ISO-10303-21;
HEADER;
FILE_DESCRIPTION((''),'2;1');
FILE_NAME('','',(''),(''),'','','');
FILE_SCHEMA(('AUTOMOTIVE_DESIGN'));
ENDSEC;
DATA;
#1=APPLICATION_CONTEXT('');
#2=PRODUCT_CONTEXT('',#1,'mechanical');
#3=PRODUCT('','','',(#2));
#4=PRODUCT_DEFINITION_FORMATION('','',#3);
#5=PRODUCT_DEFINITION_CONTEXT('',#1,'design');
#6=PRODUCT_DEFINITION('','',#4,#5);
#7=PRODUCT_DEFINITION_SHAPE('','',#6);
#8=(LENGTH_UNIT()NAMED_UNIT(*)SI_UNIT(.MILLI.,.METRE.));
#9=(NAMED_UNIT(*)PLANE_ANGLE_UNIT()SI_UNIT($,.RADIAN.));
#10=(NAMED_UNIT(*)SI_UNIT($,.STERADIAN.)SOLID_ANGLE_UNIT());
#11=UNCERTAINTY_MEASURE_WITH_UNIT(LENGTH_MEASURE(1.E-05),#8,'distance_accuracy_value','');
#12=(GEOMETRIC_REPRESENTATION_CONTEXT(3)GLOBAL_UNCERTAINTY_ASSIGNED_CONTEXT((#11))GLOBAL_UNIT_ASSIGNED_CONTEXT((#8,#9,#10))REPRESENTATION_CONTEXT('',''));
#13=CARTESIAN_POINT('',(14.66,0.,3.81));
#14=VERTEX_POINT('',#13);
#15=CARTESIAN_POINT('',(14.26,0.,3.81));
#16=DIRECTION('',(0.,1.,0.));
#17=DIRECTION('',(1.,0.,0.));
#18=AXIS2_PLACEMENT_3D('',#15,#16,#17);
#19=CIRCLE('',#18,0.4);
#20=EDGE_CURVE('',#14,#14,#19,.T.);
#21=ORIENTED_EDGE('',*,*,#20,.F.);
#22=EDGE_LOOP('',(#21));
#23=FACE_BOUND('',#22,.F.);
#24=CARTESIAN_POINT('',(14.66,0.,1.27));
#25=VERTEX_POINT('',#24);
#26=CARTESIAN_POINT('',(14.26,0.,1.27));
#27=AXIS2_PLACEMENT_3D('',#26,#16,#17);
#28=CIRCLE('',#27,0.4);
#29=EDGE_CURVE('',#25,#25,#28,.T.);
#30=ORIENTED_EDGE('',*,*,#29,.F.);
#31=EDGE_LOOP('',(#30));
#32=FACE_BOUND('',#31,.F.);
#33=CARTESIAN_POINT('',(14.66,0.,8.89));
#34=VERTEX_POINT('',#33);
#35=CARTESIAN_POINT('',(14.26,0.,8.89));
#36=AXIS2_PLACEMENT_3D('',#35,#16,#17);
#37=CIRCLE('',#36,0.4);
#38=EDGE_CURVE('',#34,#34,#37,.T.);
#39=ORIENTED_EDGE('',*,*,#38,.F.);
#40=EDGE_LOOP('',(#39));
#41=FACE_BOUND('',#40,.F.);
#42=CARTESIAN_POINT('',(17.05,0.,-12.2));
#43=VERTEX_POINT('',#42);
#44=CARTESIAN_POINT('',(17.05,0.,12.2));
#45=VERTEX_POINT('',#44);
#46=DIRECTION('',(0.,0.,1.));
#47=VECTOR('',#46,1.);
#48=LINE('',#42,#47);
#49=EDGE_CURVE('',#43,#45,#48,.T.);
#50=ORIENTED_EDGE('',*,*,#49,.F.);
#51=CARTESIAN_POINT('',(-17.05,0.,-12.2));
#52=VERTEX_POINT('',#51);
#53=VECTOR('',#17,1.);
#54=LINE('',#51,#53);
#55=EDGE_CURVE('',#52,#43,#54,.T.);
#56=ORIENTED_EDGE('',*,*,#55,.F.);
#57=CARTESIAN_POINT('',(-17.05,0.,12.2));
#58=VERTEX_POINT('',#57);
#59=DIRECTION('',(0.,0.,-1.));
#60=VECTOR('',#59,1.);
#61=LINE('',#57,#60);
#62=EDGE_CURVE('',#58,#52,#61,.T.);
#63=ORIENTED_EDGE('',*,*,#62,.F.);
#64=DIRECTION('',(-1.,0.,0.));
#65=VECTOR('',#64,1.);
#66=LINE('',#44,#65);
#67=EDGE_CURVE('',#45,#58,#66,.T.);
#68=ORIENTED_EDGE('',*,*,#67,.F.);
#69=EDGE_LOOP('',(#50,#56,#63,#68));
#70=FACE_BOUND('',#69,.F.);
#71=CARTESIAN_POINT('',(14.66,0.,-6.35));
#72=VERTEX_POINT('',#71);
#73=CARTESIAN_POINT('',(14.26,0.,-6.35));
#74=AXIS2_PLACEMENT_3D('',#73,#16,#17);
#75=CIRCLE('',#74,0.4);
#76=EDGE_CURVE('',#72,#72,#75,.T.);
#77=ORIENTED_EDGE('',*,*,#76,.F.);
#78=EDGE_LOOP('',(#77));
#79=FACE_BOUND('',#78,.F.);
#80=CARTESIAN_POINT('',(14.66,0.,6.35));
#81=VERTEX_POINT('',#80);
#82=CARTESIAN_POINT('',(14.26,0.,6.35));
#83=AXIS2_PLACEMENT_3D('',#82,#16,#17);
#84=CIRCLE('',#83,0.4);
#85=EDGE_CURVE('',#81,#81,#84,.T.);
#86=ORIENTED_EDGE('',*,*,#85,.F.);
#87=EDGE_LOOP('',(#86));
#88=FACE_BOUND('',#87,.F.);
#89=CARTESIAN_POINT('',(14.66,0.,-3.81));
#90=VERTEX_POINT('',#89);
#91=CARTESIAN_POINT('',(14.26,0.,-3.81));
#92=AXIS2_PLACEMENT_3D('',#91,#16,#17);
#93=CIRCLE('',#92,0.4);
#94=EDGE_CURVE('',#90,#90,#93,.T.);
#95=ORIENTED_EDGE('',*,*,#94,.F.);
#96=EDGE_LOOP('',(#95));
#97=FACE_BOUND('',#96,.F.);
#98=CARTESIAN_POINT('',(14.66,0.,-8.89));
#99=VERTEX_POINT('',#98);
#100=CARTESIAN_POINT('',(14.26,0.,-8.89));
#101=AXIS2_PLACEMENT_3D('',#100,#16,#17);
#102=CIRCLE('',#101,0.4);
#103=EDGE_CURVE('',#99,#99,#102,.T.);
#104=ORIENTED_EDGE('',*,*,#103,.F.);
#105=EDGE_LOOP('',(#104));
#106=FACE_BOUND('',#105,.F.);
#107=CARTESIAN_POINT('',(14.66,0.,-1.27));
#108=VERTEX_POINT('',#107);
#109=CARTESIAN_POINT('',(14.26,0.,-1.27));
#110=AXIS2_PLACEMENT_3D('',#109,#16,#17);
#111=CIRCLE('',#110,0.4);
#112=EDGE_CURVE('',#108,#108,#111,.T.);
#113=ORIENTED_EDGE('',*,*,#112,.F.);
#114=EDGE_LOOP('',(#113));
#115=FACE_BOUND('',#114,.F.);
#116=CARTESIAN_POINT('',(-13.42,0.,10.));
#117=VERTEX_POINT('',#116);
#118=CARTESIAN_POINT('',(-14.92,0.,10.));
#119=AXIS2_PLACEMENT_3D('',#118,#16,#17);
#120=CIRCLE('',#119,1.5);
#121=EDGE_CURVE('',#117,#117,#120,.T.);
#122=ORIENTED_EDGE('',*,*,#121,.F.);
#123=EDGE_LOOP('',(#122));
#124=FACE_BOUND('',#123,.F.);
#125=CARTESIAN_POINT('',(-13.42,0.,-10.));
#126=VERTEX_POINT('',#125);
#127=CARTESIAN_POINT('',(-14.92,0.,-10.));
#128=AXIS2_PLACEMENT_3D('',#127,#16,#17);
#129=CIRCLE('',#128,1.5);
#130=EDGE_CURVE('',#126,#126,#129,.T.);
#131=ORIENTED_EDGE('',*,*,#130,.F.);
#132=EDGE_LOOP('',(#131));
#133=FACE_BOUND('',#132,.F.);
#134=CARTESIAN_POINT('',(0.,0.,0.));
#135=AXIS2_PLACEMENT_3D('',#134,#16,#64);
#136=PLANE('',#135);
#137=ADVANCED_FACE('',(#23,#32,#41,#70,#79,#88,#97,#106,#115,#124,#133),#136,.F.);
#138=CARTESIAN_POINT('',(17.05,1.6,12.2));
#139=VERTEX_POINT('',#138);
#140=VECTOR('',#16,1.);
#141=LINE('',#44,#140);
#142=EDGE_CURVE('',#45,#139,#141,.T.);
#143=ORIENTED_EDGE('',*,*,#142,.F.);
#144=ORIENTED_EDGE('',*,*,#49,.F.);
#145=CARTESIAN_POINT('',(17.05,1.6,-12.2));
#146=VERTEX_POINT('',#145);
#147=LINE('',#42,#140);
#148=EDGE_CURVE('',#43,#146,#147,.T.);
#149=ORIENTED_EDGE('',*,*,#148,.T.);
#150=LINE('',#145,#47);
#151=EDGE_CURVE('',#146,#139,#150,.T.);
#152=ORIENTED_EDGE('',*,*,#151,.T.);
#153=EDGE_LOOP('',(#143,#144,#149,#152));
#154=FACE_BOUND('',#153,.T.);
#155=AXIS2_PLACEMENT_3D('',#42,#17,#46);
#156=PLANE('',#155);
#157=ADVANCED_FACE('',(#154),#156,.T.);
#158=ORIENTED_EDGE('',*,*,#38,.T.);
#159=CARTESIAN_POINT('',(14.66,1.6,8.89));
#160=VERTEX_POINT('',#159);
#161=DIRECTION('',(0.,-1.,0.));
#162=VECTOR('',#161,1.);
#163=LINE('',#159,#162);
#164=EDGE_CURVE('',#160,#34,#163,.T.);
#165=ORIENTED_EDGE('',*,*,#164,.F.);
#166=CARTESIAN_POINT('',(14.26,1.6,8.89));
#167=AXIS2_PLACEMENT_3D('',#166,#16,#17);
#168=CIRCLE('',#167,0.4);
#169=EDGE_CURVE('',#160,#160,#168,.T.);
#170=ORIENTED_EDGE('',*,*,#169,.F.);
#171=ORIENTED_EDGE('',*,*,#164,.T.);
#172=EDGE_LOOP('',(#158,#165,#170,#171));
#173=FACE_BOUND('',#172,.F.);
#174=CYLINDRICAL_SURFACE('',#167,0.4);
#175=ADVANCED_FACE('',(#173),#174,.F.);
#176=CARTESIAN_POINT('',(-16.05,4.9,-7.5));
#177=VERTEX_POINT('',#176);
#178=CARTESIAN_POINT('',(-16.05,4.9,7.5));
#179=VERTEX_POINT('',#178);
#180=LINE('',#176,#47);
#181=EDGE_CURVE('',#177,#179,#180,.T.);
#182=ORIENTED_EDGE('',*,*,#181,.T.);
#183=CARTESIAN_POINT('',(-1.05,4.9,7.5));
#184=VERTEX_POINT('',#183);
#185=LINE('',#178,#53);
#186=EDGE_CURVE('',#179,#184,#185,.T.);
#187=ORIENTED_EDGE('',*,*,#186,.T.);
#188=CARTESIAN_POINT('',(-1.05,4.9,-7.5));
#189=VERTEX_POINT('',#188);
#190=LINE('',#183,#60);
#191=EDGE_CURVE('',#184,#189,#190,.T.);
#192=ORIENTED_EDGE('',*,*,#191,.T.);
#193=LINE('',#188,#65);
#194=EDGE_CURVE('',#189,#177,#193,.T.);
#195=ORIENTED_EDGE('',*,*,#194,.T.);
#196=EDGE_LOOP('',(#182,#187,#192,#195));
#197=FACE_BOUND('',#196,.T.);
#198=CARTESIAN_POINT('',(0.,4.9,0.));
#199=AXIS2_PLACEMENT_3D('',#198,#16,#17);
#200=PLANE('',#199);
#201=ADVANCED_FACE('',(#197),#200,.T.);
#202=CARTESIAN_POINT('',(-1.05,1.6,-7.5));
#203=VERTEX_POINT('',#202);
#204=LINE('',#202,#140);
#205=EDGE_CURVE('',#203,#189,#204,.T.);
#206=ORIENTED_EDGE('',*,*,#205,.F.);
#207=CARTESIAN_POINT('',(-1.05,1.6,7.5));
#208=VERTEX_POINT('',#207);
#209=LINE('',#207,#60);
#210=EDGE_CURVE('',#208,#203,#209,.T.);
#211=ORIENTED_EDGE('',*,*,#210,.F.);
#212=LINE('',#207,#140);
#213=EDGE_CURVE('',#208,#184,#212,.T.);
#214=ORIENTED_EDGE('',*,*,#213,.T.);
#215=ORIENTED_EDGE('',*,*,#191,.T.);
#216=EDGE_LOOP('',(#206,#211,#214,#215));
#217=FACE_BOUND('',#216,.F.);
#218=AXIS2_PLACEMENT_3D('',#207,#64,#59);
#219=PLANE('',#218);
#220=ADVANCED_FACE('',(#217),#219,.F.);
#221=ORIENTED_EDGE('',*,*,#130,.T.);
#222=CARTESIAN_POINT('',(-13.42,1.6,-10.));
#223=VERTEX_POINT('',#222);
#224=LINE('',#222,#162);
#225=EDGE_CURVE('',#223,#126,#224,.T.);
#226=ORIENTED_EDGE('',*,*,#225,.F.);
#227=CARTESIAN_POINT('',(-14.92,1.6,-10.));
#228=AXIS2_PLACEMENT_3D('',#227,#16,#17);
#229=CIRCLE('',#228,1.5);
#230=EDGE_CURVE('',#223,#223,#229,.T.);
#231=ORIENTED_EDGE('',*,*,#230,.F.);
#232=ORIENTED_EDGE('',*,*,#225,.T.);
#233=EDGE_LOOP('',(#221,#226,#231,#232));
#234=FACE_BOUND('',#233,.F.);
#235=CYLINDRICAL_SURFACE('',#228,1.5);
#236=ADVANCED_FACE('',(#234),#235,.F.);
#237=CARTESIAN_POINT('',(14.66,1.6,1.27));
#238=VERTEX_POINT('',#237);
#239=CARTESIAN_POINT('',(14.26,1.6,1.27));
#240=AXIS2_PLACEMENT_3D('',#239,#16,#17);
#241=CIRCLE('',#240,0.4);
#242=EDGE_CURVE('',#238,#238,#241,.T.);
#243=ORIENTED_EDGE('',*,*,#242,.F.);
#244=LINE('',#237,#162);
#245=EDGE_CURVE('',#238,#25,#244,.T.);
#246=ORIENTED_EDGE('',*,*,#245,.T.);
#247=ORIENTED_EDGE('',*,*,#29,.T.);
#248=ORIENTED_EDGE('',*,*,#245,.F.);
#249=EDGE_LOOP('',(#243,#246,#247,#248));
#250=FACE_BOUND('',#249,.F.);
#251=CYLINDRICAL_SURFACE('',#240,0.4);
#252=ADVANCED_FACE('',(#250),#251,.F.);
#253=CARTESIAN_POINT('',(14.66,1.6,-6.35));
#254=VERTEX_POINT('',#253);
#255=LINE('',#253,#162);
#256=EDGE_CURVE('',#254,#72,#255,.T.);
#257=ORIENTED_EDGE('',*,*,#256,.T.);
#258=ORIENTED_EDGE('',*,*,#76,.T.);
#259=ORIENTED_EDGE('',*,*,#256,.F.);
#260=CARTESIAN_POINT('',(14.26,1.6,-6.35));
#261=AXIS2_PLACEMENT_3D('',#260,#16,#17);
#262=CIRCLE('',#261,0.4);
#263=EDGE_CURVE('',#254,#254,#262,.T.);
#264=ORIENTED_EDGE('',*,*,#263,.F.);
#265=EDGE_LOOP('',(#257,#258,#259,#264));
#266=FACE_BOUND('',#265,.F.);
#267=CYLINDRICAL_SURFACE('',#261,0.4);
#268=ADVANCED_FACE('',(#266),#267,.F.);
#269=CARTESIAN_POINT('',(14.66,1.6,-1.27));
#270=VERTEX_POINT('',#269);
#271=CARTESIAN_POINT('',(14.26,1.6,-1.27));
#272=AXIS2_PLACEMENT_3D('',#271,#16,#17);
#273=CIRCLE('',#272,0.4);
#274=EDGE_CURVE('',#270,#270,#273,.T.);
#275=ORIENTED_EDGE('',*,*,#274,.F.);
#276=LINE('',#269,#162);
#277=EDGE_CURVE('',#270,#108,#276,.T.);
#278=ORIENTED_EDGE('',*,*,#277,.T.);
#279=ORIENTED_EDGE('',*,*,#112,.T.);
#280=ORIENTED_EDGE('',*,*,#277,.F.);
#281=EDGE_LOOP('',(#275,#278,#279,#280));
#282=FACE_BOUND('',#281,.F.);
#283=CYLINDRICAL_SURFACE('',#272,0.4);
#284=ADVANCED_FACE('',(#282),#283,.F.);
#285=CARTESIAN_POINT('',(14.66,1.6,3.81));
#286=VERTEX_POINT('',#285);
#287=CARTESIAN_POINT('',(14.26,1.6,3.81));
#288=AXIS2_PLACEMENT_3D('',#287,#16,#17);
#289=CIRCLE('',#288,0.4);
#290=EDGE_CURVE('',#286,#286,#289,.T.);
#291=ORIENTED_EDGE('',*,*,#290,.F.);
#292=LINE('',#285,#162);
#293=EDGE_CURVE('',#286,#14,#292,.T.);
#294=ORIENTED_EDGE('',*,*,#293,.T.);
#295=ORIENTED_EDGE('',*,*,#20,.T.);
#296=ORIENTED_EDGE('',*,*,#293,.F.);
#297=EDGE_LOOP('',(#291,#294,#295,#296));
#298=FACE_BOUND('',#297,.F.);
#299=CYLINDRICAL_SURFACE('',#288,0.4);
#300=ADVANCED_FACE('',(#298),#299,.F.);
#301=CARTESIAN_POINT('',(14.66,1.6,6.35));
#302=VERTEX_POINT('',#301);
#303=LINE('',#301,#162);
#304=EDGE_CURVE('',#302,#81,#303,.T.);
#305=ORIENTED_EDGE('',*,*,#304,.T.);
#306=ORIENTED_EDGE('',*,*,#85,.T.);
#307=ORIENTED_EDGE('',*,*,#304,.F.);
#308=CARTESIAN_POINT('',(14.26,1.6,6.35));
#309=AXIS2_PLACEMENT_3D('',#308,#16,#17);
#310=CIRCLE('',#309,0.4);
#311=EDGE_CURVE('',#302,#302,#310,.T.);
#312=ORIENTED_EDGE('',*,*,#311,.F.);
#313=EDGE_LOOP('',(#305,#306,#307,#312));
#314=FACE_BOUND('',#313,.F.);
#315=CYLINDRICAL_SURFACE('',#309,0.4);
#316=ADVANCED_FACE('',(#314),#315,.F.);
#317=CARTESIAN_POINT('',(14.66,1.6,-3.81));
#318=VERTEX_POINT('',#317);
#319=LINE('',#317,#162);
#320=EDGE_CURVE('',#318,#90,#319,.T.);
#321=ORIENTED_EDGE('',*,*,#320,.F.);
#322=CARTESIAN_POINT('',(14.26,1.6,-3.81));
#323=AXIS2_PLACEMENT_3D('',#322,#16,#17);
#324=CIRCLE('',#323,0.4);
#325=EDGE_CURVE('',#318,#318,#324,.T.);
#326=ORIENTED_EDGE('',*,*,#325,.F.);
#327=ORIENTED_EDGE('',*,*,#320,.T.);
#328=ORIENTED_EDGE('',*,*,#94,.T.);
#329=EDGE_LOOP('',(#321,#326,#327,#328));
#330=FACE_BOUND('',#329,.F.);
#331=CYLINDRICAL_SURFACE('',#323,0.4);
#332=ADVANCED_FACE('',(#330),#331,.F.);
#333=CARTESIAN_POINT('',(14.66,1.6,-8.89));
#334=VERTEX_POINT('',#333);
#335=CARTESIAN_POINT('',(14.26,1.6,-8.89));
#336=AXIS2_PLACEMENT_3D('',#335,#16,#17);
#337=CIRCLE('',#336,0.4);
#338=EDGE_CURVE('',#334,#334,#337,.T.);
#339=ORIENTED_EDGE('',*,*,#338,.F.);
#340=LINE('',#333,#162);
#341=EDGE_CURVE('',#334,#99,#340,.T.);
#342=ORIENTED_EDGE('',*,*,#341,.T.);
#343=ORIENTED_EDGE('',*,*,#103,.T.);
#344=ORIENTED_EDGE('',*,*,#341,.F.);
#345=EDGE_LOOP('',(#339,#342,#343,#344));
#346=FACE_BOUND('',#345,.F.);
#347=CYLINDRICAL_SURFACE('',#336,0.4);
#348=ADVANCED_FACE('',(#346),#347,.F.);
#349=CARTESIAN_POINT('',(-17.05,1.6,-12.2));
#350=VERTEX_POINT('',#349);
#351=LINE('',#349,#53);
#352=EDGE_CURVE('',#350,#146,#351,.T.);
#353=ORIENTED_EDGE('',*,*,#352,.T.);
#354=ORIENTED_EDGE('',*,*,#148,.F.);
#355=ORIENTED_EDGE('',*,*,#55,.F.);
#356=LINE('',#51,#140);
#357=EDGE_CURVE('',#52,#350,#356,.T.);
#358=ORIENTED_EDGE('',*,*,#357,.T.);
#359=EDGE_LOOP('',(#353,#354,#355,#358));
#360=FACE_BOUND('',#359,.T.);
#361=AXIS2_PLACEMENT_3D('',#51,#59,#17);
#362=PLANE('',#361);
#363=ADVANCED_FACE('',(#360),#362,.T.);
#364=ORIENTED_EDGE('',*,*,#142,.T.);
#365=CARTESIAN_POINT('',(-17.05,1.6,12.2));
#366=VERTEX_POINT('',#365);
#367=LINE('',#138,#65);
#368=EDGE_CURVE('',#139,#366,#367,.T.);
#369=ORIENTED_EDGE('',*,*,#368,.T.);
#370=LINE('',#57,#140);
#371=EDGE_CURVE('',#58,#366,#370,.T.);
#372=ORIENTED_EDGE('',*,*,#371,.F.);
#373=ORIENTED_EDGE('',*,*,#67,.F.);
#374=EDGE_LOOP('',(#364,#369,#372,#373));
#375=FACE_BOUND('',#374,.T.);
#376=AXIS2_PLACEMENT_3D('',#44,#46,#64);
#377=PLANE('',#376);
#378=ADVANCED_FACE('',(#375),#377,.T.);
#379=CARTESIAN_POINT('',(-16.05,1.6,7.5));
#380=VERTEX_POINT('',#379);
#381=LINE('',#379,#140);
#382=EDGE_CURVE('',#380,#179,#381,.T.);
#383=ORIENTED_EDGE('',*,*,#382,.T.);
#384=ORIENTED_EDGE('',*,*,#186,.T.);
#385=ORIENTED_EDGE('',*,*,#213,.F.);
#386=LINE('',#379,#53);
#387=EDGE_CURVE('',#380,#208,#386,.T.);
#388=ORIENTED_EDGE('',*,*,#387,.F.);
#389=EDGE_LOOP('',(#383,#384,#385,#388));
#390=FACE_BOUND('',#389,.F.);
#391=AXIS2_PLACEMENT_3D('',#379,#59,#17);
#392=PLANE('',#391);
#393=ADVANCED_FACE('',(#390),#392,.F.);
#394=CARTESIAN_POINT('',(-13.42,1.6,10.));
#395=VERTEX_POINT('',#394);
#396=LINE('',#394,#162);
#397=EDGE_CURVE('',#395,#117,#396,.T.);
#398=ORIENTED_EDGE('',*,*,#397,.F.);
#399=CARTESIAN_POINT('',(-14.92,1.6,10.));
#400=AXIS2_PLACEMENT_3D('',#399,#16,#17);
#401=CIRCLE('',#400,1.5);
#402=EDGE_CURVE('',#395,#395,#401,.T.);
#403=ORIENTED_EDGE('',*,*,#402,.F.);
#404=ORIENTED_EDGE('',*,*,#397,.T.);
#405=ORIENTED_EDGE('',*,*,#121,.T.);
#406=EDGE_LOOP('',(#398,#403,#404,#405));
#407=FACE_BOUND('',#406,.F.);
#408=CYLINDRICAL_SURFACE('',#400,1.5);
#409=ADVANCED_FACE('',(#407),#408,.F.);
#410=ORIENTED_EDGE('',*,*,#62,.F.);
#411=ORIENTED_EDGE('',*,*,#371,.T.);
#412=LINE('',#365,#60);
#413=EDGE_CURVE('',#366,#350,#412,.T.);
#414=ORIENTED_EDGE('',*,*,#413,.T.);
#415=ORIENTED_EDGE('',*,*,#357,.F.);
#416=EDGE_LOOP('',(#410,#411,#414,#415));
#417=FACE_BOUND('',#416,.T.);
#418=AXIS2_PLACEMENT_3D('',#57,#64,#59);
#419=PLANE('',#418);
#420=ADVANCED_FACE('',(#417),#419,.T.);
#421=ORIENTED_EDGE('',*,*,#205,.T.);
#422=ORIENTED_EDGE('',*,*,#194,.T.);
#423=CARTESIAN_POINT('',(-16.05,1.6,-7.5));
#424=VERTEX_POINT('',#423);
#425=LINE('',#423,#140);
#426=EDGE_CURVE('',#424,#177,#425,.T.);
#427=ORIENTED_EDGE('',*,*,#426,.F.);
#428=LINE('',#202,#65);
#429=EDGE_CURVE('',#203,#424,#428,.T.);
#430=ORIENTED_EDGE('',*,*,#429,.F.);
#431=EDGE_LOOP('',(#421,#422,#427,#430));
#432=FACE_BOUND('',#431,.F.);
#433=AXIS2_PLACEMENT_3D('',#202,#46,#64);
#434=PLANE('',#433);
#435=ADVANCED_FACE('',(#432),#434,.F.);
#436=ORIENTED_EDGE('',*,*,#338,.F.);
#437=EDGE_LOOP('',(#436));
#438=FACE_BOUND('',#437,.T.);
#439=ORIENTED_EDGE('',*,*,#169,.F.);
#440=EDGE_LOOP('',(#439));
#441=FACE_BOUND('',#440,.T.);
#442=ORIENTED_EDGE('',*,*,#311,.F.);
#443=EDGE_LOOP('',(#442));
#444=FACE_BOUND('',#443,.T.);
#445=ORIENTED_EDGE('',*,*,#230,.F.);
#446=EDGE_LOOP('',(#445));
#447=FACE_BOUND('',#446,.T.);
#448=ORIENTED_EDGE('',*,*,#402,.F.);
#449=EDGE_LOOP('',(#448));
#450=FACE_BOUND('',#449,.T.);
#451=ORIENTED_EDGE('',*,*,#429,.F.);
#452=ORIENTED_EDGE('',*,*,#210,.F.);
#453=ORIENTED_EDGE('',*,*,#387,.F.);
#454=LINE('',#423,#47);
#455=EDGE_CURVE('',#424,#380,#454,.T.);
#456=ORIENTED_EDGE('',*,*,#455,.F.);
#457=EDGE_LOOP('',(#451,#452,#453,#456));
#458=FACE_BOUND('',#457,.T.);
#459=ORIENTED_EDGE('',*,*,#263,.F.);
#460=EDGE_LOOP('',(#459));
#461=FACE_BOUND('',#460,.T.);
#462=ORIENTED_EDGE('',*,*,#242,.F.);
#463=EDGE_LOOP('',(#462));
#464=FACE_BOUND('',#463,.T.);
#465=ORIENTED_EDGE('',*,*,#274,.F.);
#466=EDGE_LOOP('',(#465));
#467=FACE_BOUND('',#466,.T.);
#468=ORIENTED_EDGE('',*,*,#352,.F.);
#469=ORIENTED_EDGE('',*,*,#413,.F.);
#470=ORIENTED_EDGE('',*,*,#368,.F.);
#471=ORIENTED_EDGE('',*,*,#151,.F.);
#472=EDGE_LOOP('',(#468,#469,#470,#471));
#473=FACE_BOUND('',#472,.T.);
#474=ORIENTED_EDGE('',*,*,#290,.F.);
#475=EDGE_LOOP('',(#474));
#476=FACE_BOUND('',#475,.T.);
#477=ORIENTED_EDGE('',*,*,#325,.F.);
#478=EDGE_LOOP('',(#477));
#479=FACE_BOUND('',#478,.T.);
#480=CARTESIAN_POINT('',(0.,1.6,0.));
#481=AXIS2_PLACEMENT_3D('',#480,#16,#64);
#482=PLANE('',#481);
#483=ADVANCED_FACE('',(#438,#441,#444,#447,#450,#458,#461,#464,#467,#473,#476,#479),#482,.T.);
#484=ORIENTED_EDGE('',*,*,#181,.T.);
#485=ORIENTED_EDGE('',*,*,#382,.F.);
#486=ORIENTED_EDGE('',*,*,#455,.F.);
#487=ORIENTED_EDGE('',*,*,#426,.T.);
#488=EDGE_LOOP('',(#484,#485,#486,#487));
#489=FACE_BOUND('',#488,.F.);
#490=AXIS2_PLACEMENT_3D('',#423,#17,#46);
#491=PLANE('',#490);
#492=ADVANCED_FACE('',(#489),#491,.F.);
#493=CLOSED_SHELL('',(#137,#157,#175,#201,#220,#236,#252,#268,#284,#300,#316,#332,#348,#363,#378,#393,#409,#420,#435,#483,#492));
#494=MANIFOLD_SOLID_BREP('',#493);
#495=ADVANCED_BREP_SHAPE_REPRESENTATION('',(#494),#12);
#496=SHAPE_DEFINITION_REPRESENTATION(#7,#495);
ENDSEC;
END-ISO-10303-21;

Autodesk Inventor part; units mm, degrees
ref_plane "YZ Plane" through (0, 0, 0) normal (1, 0, 0) x (0, 1, 0)
ref_plane "XZ Plane" through (0, 0, 0) normal (0, 1, 0) x (-1, 0, 0)
ref_plane "XY Plane" through (0, 0, 0) normal (0, 0, 1) x (1, 0, 0)
sketch "Sketch1" plane through (0, 0, 0) normal (0, 1, 0) x (-1, 0, 0)
  line L0 (-17.05, 12.2) -> (17.05, 12.2)
  line L1 (17.05, 12.2) -> (17.05, -12.2)
  line L2 (17.05, -12.2) -> (-17.05, -12.2)
  line L3 (-17.05, -12.2) -> (-17.05, 12.2)
  line L4 (-17.05, 12.2) -> (17.05, -12.2) construction
  line L5 (17.05, 12.2) -> (-17.05, -12.2) construction
  point P0 (0, 0)
  dimension "d0" = 34.1
  dimension "d1" = 24.4
extrude "Extrusion1" add sketch "Sketch1" along normal blind 1.6
sketch "Sketch2" plane through (0, 1.6, 0) normal (0, 1, 0) x (1, 0, 0)
  circle A0 centre (-14.92, -10) radius 1.5
  circle A1 centre (-14.92, 10) radius 1.5
  line L0 (-17.05, 12.2) -> (-17.05, -12.2) projected
  line L1 (-17.05, -12.2) -> (17.05, -12.2) projected
  line L2 (17.05, 12.2) -> (-17.05, 12.2) projected
  circle A2 centre (14.26, -6.35) radius 0.4
  circle A3 centre (14.26, -3.81) radius 0.4
  circle A4 centre (14.26, -1.27) radius 0.4
  circle A5 centre (14.26, -8.89) radius 0.4
  circle A6 centre (14.26, 1.27) radius 0.4
  line L3 (17.05, -12.2) -> (17.05, 12.2) projected
  circle A7 centre (14.26, 3.81) radius 0.4
  circle A8 centre (14.26, 6.35) radius 0.4
  circle A9 centre (14.26, 8.89) radius 0.4
  point P0 (0, 0)
  dimension "d4" = 3
  dimension "d5" = 3
  dimension "d6" = 2.13
  dimension "d7" = 2.2
  dimension "d8" = 2.13
  dimension "d9" = 2.2
  dimension "d10" = 0.8
  dimension "d11" = 0.8
  dimension "d12" = 2.54
  dimension "d13" = 0.8
  dimension "d14" = 0.8
  dimension "d15" = 0.8
  dimension "d16" = 2.79
  dimension "d17" = 2.54
  dimension "d18" = 2.79
  dimension "d19" = 2.79
  dimension "d20" = 2.79
  dimension "d21" = 2.54
  dimension "d22" = 2.79
  dimension "d23" = 2.54
  dimension "d24" = 0.8
  dimension "d25" = 0.8
  dimension "d26" = 0.8
  dimension "d27" = 2.79
  dimension "d28" = 2.79
  dimension "d29" = 2.79
  dimension "d30" = 2.54
  dimension "d31" = 2.54
  dimension "d32" = 2.54
  dimension "d33" = 3.31
extrude "Extrusion2" cut sketch "Sketch2" against normal blind 3.31 contours A0 | A1 | A2 | A3 | A4 | A5 | A6 | A7 | A8 | A9
sketch "Sketch3" plane through (0, 1.6, 0) normal (0, 1, 0) x (1, 0, 0)
  line L0 (-16.05, -7.5) -> (-1.05, -7.5)
  line L1 (-1.05, -7.5) -> (-1.05, 7.5)
  line L2 (-1.05, 7.5) -> (-16.05, 7.5)
  line L3 (-16.05, 7.5) -> (-16.05, -7.5)
  line L4 (-16.05, -7.5) -> (-1.05, 7.5) construction
  line L5 (-1.05, -7.5) -> (-16.05, 7.5) construction
  line L6 (-17.05, 12.2) -> (-17.05, -12.2) projected
  point P0 (0, 0)
  point P1 (-8.55, 0)
  dimension "d36" = 15
  dimension "d37" = 15
  dimension "d38" = 1
extrude "Extrusion3" add sketch "Sketch3" along normal blind 3.3
equation "\"d34\" = d33"
properties part number "arducam'"
